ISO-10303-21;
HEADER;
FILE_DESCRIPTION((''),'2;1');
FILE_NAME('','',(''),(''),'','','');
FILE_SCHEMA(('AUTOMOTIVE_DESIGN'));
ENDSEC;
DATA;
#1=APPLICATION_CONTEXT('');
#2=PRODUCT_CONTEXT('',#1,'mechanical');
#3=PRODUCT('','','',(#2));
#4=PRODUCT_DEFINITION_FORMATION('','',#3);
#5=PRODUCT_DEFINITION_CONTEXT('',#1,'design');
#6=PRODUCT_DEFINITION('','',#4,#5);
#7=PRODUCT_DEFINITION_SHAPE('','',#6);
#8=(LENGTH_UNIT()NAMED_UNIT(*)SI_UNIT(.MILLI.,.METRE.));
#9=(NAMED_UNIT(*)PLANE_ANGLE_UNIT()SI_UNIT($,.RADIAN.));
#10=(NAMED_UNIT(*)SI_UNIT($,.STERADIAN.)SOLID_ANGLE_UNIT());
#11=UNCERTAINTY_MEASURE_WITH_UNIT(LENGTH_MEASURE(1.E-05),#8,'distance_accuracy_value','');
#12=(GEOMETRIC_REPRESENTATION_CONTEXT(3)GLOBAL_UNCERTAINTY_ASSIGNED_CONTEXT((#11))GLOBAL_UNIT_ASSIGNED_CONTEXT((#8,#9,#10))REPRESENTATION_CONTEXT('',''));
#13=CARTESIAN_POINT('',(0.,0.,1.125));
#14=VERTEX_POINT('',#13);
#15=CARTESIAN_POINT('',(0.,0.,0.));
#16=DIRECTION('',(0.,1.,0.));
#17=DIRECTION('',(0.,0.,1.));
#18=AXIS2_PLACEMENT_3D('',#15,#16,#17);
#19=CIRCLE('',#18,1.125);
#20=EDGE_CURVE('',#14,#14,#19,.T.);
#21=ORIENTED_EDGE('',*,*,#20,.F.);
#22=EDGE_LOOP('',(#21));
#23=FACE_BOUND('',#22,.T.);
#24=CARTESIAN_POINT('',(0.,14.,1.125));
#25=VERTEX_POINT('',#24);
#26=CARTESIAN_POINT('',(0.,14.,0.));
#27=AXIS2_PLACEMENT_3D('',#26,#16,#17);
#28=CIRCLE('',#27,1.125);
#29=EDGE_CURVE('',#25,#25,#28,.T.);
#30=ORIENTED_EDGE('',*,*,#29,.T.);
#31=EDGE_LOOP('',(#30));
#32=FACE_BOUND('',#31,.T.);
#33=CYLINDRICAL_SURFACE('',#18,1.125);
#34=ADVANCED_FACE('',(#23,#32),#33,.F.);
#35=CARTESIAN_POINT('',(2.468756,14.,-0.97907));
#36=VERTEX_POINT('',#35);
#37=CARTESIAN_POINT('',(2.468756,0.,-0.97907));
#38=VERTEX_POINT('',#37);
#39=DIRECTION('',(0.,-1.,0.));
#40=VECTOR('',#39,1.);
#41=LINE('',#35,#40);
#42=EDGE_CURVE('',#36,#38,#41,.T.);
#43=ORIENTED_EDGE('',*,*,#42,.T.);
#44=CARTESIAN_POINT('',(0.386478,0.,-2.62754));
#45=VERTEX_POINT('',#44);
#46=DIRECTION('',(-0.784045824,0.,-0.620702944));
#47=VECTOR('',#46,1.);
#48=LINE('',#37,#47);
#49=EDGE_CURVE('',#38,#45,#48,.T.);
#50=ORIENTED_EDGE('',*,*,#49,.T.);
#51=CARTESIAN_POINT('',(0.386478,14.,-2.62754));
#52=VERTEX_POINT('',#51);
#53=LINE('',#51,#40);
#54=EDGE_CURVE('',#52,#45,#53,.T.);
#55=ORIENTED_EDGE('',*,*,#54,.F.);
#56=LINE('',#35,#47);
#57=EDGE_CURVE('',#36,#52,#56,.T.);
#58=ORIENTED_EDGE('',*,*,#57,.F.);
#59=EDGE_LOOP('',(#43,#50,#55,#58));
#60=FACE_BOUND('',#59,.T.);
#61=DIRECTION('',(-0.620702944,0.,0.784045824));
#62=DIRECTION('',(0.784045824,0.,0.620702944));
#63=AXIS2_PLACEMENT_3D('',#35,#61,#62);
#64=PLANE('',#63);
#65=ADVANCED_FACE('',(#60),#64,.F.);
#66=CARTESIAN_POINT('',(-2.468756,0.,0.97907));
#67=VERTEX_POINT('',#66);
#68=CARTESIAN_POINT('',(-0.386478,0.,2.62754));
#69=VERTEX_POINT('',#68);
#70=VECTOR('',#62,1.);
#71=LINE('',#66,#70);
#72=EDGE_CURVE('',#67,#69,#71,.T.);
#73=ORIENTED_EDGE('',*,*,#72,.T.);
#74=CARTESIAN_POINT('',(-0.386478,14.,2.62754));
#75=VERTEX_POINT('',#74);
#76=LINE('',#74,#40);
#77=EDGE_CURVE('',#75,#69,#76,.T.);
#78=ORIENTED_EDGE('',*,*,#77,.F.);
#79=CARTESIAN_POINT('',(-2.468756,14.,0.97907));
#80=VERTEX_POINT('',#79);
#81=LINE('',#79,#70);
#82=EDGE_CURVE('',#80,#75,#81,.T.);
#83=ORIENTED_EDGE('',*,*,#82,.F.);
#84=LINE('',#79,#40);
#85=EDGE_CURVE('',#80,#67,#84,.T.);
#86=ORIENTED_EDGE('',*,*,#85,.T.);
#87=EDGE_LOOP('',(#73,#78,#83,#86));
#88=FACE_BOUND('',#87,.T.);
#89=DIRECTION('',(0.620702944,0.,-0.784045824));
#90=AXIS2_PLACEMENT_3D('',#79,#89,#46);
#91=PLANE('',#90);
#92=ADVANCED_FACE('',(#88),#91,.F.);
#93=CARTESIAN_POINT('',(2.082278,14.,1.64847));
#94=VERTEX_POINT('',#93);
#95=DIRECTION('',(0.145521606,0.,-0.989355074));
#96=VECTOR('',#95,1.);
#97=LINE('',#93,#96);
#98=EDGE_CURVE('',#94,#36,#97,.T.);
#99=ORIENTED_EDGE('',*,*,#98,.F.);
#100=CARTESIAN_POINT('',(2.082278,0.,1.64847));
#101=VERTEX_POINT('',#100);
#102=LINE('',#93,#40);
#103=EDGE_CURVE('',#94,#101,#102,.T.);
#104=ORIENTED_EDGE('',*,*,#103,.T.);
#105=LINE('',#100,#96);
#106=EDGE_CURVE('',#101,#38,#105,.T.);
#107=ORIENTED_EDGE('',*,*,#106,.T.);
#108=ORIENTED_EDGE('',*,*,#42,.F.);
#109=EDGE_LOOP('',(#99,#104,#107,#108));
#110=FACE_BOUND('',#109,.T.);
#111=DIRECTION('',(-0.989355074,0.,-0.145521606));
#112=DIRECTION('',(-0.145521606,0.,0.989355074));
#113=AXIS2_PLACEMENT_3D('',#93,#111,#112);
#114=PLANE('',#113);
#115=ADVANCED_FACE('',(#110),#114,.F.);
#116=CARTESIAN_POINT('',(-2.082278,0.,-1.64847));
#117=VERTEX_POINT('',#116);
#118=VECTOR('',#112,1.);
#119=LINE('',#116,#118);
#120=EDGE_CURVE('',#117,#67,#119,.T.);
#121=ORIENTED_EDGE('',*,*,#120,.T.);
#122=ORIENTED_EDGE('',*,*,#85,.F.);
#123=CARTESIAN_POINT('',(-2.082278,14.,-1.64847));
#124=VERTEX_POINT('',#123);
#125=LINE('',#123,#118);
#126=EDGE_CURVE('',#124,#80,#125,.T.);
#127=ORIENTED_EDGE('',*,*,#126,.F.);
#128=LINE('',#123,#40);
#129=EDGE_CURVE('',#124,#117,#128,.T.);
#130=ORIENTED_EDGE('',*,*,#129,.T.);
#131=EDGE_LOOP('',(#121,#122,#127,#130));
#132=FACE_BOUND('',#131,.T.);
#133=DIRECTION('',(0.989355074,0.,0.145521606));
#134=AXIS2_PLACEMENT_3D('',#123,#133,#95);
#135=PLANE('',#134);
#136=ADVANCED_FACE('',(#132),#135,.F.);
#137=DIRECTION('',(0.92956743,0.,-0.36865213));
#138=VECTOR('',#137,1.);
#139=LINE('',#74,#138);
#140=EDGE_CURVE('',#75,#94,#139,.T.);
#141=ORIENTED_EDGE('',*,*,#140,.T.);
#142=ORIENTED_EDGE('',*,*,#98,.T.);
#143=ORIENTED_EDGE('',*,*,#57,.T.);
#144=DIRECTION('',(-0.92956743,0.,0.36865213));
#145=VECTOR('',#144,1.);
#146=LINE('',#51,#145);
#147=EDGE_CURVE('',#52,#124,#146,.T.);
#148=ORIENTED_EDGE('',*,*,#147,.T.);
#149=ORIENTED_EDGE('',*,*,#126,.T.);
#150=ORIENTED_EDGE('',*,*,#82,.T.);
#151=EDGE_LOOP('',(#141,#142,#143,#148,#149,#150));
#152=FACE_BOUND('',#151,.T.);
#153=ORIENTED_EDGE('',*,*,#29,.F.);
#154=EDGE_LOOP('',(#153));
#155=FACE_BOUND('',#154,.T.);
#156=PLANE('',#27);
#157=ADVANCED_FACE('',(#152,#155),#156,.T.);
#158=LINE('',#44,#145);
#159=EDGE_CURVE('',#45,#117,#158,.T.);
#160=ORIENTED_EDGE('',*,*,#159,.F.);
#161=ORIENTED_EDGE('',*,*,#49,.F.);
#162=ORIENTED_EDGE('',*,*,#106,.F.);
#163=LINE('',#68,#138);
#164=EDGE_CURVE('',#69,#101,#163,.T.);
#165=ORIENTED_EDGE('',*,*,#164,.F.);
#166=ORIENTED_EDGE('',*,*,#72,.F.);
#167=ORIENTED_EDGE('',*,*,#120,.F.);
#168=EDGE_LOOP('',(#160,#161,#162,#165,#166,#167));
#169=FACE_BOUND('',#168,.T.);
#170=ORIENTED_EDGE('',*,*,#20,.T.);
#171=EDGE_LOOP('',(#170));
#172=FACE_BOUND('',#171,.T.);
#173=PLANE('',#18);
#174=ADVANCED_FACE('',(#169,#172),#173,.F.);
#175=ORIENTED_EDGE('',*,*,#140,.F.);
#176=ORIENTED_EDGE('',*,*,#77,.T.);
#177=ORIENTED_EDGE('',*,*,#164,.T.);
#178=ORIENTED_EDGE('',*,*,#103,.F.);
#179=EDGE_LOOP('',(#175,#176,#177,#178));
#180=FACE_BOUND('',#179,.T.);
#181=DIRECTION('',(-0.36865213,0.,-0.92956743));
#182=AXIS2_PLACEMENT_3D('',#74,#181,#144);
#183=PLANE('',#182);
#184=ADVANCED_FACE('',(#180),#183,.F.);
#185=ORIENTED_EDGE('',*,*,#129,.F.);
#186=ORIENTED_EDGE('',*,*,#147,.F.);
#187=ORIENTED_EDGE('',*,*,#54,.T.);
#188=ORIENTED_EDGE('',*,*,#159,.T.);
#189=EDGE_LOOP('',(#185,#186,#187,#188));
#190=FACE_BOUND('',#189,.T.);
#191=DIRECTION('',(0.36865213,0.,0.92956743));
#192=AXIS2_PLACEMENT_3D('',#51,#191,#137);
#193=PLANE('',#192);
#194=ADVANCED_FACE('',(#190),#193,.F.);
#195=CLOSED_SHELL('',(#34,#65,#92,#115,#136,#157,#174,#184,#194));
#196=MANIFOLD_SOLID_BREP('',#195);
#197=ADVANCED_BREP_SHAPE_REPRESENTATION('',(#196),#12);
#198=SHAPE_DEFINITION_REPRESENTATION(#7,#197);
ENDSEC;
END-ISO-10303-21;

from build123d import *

# Parameters (mm, degrees)
SALIENTE_EXTRUIR1_DEPTH = 14
CROQUIS_CARA_R          = 1.125
CORTAR_EXTRUIR1_DEPTH   = 15.456788112


with BuildPart() as part:
    # Croquis base → Saliente-Extruir1 (new body)
    with BuildSketch(Plane(origin=(0, 0, 0), x_dir=(1, 0, 0), z_dir=(0, 1, 0))):
        Polygon((2.082277712, -1.648469855), (2.468755628, 0.979070469), (0.386477916, 2.627540324), (-2.082277712, 1.648469855), (-2.468755628, -0.979070469), (-0.386477916, -2.627540324), align=None)
    extrude(amount=SALIENTE_EXTRUIR1_DEPTH)

    # Croquis cara → Cortar-Extruir1 (cut, through all)
    with BuildSketch(Plane(origin=(0, 14, 0), x_dir=(1, 0, 0), z_dir=(0, 1, 0))):
        with Locations(Location((0, 0, 0), (0, 0, 270))):
            Circle(CROQUIS_CARA_R)
    extrude(amount=-CORTAR_EXTRUIR1_DEPTH, mode=Mode.SUBTRACT)


solid = part.part
